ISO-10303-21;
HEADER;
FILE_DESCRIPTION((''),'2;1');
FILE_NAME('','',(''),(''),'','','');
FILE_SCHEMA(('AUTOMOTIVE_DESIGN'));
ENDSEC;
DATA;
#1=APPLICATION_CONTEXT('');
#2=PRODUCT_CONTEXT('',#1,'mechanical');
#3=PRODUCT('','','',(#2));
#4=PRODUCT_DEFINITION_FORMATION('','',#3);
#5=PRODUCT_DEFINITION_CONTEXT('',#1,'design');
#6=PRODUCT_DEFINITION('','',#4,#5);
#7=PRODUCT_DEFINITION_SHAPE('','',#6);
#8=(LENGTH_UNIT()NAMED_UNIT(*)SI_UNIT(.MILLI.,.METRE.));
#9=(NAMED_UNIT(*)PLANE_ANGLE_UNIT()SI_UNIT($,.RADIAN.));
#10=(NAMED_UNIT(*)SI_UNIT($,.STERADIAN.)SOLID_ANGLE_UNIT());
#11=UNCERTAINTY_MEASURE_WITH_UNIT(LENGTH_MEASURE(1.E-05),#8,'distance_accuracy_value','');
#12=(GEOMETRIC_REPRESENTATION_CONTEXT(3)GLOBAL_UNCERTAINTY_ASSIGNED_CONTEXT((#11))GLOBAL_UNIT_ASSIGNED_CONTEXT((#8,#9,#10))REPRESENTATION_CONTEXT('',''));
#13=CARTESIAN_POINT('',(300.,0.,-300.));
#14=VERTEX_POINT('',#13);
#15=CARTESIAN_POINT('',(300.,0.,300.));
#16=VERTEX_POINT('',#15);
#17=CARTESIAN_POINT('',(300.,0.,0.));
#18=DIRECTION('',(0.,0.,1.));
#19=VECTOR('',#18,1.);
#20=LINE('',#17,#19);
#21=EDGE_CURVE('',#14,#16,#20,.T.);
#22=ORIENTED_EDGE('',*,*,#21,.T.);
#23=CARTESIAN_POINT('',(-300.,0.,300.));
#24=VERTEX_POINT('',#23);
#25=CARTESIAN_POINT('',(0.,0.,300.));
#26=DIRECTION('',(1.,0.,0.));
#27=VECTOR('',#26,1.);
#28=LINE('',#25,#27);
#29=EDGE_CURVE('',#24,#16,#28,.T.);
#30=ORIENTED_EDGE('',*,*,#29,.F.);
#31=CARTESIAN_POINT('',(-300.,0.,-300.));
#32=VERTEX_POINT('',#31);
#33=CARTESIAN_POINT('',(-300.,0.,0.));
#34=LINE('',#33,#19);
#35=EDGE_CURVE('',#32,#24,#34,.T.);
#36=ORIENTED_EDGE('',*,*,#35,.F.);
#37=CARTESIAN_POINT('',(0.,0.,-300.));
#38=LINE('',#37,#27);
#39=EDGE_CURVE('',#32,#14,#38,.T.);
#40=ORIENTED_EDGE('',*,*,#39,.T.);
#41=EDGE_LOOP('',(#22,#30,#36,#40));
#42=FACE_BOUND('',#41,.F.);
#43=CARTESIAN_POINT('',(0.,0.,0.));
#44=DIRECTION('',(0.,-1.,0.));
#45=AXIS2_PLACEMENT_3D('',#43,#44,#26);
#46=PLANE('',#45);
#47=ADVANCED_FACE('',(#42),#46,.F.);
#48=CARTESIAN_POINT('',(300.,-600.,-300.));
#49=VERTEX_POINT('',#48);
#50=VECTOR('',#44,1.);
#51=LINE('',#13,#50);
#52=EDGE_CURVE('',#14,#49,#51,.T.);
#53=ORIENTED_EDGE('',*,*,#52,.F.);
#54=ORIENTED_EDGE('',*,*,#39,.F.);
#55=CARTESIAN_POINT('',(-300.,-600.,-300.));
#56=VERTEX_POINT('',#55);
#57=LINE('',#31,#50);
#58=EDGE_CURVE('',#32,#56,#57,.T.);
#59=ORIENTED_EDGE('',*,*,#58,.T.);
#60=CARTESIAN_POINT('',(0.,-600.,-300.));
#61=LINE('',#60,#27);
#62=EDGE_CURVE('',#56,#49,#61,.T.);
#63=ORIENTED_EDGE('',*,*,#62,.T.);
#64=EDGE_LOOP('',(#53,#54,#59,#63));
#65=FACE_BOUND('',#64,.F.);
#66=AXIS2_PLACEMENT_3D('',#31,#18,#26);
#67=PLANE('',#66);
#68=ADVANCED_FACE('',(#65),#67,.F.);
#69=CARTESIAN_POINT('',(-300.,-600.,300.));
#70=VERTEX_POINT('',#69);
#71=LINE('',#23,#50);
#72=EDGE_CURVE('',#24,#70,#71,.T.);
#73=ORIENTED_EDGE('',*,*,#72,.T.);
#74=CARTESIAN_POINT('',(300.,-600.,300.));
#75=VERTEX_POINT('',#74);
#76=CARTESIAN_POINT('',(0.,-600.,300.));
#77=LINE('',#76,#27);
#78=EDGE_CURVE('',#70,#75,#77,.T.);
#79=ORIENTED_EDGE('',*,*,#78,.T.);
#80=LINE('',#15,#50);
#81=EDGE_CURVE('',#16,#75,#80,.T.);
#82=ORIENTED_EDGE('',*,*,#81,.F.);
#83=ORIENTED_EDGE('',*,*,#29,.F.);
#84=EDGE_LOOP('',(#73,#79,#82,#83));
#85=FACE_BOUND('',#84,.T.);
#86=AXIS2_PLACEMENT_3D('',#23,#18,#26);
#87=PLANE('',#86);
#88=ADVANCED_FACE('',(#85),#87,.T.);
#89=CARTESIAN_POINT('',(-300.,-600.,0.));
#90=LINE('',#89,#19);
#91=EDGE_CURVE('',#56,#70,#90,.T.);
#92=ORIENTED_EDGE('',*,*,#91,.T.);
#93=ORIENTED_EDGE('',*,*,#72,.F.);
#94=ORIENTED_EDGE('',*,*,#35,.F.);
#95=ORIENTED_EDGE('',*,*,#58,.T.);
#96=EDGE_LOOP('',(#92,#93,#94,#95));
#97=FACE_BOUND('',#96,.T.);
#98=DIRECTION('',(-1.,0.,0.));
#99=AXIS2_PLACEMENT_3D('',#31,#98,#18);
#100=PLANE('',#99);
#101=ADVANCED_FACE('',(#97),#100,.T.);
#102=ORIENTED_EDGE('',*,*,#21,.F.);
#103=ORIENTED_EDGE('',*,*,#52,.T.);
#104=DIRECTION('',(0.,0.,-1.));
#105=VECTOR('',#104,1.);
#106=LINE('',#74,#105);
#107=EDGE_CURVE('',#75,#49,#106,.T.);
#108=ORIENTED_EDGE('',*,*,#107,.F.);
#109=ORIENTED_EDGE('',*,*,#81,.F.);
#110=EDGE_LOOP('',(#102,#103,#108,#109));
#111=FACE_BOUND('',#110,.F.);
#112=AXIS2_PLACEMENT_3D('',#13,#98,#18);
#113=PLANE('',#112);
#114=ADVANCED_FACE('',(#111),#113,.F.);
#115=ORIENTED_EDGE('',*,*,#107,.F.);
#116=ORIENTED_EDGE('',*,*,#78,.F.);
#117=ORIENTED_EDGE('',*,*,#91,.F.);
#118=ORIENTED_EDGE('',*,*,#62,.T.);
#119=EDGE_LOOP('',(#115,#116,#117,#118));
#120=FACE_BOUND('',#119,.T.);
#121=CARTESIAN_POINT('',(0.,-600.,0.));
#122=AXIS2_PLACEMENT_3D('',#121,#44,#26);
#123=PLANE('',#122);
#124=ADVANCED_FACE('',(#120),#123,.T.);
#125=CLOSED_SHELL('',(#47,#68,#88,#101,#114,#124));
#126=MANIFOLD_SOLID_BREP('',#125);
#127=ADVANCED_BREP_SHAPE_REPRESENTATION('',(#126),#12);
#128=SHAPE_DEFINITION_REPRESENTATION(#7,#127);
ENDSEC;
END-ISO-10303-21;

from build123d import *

# Parameters (mm, degrees)
F0_W     = 600
F0_H     = 600
F1_DEPTH = 600
F2_W     = 575
F2_H     = 425
F3_DEPTH = 25.4


with BuildPart() as f1:
    # F0 (on Front) → F1 (new body)
    with BuildSketch(Plane.XZ):
        Rectangle(F0_W, F0_H)
    extrude(amount=F1_DEPTH)

    # F2 (on face) → F3 (cut)
    with BuildSketch(Plane.YZ.offset(300)):
        with Locations((-312.5, -62.5)):
            Rectangle(F2_W, F2_H)
    extrude(amount=F3_DEPTH, mode=Mode.SUBTRACT)


solid = f1.part
